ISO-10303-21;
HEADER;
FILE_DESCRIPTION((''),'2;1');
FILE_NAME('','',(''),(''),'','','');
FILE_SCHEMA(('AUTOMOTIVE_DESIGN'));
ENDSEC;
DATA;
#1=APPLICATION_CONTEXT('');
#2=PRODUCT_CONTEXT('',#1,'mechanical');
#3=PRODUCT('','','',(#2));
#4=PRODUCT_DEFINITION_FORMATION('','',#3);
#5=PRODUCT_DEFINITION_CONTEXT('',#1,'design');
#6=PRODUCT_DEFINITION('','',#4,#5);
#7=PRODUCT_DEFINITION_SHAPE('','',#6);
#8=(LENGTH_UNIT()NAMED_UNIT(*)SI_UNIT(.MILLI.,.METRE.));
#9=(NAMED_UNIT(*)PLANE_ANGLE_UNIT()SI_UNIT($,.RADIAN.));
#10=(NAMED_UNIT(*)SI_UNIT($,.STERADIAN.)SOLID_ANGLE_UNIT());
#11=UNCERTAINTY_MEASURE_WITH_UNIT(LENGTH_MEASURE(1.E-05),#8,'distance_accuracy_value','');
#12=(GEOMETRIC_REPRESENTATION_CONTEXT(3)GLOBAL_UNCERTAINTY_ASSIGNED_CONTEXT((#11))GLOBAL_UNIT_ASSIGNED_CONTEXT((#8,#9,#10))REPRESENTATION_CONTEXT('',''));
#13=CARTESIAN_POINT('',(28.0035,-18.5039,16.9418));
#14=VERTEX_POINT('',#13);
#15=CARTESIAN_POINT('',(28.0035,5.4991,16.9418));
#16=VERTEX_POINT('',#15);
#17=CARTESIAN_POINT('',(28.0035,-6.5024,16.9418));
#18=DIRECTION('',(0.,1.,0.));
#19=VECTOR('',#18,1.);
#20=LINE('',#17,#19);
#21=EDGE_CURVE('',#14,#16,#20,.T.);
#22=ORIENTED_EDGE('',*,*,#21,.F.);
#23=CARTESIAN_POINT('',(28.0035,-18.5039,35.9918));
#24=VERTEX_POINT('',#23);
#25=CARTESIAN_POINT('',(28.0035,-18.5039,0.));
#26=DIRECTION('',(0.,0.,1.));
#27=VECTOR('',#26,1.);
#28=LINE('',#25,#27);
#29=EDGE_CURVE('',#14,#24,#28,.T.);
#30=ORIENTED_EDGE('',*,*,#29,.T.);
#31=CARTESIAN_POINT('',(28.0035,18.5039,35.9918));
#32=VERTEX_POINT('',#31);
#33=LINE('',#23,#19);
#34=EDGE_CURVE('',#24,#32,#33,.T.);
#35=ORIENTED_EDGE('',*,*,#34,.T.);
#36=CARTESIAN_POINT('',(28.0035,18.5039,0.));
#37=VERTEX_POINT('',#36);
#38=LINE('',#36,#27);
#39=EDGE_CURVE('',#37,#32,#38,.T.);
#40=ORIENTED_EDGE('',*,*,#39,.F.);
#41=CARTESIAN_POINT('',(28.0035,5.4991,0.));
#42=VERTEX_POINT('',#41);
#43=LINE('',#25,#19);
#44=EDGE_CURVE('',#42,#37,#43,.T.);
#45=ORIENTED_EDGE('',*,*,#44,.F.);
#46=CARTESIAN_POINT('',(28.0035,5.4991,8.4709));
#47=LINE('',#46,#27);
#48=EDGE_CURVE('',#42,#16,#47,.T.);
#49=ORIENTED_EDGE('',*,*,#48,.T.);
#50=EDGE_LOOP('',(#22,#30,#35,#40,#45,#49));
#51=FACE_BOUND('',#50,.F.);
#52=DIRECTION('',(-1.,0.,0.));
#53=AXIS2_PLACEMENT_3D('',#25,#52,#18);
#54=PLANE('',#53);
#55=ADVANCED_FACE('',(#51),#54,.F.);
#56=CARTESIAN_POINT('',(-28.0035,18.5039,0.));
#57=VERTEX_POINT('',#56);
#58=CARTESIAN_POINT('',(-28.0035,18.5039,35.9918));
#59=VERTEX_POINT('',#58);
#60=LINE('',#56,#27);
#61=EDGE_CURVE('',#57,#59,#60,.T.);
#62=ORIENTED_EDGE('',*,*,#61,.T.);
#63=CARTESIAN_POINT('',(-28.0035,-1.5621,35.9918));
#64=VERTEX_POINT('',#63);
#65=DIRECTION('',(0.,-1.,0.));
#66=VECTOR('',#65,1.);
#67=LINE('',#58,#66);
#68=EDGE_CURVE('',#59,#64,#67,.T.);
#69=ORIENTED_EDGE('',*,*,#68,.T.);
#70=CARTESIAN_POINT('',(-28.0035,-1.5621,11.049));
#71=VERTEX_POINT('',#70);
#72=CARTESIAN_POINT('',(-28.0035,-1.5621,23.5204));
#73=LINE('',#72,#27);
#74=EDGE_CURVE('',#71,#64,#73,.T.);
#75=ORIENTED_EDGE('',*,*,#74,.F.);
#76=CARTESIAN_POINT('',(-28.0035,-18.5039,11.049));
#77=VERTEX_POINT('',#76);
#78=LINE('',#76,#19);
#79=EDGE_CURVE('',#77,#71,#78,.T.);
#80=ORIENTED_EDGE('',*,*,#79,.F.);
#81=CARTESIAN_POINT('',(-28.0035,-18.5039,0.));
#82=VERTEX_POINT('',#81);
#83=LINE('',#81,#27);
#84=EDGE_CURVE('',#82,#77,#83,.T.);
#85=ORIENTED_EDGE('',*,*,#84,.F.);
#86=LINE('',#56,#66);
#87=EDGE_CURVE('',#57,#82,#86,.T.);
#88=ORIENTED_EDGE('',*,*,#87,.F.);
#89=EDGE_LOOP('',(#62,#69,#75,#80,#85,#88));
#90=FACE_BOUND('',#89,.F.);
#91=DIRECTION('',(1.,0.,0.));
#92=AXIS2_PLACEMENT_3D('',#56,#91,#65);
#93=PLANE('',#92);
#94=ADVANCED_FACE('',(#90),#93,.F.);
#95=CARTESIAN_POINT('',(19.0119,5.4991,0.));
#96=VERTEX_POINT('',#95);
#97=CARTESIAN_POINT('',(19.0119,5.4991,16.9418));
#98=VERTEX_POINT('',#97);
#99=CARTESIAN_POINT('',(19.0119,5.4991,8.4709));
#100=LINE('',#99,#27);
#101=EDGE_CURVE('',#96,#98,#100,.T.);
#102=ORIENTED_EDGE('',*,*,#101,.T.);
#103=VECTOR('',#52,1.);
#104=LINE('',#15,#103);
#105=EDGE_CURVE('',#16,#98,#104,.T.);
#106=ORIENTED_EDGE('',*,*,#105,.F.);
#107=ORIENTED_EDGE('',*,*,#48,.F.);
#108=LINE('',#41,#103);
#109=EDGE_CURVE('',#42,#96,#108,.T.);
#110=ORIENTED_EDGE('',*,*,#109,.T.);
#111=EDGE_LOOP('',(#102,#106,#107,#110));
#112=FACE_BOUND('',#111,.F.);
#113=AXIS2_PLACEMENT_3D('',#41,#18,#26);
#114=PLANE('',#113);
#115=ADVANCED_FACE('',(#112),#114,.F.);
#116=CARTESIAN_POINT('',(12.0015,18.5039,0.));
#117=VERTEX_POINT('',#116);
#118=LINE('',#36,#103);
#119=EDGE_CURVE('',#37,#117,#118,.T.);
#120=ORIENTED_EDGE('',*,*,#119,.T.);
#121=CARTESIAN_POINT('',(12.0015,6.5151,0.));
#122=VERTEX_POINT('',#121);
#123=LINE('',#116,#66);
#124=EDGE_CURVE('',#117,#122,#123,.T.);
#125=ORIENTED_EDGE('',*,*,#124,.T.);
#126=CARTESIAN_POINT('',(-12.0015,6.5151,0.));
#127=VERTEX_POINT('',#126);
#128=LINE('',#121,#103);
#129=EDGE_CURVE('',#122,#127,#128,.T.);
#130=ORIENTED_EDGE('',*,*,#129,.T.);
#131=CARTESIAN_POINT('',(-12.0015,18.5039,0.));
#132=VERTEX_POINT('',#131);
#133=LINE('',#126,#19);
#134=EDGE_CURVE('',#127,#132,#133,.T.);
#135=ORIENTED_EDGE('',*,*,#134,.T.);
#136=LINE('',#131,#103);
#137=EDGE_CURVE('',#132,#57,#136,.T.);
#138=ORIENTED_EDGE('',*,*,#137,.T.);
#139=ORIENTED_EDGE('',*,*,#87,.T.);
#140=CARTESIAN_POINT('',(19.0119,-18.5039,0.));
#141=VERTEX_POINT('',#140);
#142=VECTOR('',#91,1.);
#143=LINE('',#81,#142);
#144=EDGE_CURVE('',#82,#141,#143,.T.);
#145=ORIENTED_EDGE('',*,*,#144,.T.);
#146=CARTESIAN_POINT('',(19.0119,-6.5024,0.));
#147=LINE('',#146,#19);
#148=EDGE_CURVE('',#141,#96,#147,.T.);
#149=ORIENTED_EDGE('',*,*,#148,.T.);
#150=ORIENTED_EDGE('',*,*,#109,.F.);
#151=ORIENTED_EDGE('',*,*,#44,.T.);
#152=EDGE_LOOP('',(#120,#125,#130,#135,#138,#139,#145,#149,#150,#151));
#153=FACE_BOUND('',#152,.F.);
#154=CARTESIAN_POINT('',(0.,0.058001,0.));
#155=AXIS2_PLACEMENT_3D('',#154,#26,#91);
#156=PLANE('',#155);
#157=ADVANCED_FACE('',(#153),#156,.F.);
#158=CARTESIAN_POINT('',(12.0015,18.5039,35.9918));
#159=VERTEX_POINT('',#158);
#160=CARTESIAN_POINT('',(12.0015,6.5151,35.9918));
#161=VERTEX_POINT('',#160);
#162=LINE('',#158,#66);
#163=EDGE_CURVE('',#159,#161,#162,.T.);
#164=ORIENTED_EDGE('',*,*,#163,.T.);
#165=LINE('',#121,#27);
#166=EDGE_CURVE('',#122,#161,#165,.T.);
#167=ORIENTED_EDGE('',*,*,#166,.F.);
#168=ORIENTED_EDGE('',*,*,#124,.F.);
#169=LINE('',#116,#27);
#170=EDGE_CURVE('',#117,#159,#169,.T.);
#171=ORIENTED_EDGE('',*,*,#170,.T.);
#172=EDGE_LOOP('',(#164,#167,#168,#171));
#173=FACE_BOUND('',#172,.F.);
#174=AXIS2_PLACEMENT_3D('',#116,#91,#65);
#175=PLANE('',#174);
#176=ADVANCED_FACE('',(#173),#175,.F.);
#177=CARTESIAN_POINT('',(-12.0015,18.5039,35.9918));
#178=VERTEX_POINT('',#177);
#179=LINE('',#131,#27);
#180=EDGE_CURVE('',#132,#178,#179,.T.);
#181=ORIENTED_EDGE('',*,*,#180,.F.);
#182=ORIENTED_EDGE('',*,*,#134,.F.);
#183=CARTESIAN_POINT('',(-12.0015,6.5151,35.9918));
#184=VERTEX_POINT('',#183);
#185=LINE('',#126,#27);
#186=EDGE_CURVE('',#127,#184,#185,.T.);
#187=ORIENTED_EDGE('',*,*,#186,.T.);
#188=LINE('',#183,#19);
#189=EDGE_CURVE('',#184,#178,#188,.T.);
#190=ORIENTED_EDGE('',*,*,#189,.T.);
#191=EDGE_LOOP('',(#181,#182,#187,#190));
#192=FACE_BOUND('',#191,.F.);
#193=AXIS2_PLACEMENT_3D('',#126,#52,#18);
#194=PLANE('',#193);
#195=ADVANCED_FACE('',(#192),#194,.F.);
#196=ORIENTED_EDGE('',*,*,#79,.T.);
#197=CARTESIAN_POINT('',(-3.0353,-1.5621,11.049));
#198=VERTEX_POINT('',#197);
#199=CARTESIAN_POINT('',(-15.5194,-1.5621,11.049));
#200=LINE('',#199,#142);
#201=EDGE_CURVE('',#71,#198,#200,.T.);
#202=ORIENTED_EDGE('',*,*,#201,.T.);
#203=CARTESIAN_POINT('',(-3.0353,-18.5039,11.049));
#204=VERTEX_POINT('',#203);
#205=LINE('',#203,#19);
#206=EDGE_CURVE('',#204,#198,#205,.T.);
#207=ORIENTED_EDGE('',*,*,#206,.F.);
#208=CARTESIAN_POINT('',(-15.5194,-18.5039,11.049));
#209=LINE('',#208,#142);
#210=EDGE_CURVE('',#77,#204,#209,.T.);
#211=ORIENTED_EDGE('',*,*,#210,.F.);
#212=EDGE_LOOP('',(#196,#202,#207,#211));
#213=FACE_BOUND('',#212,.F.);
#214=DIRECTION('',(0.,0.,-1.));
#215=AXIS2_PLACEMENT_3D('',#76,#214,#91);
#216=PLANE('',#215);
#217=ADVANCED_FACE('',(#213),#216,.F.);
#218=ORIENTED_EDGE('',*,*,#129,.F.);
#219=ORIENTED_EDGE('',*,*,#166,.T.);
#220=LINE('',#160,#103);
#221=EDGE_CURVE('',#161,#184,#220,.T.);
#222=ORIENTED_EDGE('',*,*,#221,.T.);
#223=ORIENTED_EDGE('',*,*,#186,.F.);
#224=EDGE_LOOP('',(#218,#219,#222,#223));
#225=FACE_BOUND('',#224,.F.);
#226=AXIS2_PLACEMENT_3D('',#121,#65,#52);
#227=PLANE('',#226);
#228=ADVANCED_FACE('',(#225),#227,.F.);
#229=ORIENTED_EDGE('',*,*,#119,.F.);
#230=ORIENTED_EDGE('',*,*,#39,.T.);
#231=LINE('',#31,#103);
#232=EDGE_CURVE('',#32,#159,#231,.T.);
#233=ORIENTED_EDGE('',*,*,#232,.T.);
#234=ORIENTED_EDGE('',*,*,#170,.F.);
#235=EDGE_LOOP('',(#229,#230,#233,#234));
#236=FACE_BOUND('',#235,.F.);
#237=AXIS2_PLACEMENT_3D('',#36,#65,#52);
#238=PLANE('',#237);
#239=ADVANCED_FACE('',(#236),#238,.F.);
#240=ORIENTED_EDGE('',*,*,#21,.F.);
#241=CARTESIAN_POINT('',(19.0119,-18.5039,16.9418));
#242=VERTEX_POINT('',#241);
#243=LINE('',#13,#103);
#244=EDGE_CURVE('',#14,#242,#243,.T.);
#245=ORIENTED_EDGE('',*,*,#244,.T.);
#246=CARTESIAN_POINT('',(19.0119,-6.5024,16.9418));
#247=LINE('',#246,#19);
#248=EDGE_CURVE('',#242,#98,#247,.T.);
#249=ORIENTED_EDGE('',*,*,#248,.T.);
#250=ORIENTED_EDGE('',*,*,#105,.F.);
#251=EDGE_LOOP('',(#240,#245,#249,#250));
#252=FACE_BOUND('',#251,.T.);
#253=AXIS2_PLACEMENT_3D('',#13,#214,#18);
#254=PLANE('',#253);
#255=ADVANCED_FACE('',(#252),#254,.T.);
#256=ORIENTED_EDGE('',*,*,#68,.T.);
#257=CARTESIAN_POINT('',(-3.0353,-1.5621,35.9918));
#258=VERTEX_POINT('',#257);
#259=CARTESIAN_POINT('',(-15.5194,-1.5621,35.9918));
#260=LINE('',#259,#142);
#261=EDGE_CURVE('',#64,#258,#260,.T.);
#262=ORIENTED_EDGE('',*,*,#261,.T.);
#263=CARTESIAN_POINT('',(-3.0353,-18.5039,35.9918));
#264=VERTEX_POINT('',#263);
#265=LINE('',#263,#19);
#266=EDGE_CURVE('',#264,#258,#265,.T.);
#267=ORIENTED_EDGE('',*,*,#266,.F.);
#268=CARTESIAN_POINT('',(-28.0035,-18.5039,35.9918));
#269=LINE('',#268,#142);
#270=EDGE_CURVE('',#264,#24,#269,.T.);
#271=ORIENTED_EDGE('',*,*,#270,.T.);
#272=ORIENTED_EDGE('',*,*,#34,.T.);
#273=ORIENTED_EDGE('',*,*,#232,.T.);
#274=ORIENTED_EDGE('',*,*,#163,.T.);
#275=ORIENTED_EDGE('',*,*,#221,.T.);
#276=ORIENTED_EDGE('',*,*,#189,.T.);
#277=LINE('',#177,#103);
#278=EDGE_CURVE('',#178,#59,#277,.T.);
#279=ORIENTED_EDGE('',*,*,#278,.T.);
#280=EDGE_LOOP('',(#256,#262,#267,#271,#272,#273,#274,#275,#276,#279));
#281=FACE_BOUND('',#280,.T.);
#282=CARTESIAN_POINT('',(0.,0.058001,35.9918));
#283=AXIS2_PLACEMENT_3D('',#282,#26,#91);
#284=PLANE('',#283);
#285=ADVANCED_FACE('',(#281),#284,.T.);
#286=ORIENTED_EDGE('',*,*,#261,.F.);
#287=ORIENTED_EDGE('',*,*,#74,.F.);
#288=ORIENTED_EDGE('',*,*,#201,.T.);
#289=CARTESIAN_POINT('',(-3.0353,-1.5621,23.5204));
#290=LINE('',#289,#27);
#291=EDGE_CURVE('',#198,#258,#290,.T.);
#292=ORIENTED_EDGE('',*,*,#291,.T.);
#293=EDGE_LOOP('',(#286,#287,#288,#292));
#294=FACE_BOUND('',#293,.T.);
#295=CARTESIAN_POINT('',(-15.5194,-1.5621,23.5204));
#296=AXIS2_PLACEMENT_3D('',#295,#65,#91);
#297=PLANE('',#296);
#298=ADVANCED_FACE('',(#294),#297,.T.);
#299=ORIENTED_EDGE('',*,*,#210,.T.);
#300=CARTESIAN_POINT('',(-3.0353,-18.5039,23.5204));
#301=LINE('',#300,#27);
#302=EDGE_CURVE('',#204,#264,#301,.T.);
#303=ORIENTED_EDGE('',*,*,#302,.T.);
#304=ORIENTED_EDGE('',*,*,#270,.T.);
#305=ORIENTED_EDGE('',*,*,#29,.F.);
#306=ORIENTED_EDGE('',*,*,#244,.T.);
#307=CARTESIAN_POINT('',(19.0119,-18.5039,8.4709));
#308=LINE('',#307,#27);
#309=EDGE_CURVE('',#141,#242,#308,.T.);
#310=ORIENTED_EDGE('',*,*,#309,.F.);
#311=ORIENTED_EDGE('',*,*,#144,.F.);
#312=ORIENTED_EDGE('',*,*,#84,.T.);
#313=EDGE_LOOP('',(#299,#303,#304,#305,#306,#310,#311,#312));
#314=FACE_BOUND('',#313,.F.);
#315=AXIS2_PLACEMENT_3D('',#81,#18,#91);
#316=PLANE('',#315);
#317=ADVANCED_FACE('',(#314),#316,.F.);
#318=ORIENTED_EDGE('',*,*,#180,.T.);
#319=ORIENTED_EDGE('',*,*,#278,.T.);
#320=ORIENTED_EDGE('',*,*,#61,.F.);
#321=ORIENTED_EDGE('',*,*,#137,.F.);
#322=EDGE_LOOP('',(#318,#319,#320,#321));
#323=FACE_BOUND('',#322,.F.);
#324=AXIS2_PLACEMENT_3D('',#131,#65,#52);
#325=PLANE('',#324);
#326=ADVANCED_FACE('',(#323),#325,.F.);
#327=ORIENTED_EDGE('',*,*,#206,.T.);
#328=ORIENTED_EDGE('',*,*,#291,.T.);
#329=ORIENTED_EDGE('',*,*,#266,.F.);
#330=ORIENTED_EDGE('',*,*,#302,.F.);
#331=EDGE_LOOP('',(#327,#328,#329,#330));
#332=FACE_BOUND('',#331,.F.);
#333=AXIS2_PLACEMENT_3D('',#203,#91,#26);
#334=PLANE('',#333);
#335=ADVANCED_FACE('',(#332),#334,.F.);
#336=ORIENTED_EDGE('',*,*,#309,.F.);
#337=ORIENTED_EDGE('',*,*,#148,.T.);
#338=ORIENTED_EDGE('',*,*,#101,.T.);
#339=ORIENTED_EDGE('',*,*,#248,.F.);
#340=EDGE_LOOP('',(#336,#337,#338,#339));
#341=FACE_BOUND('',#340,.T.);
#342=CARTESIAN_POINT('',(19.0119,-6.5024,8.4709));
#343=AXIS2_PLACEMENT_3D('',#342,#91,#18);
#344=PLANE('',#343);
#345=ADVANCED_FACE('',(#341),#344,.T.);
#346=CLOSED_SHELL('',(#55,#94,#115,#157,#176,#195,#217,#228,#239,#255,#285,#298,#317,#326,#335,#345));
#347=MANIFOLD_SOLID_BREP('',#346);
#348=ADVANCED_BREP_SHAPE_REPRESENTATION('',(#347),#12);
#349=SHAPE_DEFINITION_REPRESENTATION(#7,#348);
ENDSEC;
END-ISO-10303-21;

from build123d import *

# Parameters (mm, degrees)
F1_DEPTH = 35.9918
F2_W     = 24.003
F2_H     = 16.9418
F3_DEPTH = 8.9916
F4_W     = 24.9682
F4_H     = 24.9428
F5_DEPTH = 16.9418


with BuildPart() as f1:
    # F0 (on Top) → F1 (new body)
    with BuildSketch(Plane.XY):
        Polygon((28.0035, -18.5039), (28.0035, 18.5039), (12.0015, 18.5039), (12.0015, 6.5151), (-12.0015, 6.5151), (-12.0015, 18.5039), (-28.0035, 18.5039), (-28.0035, -18.5039), align=None)
    extrude(amount=F1_DEPTH)

    # F2 (on face) → F3 (cut)
    with BuildSketch(Plane.YZ.offset(28.0035)):
        with Locations((-6.5024, 8.4709)):
            Rectangle(F2_W, F2_H)
    extrude(amount=-F3_DEPTH, mode=Mode.SUBTRACT)

    # F4 (on face) → F5 (cut)
    with BuildSketch(Plane.XZ.offset(18.5039)):
        with Locations((-15.5194, 23.5204)):
            Rectangle(F4_W, F4_H)
    extrude(amount=-F5_DEPTH, mode=Mode.SUBTRACT)


solid = f1.part
